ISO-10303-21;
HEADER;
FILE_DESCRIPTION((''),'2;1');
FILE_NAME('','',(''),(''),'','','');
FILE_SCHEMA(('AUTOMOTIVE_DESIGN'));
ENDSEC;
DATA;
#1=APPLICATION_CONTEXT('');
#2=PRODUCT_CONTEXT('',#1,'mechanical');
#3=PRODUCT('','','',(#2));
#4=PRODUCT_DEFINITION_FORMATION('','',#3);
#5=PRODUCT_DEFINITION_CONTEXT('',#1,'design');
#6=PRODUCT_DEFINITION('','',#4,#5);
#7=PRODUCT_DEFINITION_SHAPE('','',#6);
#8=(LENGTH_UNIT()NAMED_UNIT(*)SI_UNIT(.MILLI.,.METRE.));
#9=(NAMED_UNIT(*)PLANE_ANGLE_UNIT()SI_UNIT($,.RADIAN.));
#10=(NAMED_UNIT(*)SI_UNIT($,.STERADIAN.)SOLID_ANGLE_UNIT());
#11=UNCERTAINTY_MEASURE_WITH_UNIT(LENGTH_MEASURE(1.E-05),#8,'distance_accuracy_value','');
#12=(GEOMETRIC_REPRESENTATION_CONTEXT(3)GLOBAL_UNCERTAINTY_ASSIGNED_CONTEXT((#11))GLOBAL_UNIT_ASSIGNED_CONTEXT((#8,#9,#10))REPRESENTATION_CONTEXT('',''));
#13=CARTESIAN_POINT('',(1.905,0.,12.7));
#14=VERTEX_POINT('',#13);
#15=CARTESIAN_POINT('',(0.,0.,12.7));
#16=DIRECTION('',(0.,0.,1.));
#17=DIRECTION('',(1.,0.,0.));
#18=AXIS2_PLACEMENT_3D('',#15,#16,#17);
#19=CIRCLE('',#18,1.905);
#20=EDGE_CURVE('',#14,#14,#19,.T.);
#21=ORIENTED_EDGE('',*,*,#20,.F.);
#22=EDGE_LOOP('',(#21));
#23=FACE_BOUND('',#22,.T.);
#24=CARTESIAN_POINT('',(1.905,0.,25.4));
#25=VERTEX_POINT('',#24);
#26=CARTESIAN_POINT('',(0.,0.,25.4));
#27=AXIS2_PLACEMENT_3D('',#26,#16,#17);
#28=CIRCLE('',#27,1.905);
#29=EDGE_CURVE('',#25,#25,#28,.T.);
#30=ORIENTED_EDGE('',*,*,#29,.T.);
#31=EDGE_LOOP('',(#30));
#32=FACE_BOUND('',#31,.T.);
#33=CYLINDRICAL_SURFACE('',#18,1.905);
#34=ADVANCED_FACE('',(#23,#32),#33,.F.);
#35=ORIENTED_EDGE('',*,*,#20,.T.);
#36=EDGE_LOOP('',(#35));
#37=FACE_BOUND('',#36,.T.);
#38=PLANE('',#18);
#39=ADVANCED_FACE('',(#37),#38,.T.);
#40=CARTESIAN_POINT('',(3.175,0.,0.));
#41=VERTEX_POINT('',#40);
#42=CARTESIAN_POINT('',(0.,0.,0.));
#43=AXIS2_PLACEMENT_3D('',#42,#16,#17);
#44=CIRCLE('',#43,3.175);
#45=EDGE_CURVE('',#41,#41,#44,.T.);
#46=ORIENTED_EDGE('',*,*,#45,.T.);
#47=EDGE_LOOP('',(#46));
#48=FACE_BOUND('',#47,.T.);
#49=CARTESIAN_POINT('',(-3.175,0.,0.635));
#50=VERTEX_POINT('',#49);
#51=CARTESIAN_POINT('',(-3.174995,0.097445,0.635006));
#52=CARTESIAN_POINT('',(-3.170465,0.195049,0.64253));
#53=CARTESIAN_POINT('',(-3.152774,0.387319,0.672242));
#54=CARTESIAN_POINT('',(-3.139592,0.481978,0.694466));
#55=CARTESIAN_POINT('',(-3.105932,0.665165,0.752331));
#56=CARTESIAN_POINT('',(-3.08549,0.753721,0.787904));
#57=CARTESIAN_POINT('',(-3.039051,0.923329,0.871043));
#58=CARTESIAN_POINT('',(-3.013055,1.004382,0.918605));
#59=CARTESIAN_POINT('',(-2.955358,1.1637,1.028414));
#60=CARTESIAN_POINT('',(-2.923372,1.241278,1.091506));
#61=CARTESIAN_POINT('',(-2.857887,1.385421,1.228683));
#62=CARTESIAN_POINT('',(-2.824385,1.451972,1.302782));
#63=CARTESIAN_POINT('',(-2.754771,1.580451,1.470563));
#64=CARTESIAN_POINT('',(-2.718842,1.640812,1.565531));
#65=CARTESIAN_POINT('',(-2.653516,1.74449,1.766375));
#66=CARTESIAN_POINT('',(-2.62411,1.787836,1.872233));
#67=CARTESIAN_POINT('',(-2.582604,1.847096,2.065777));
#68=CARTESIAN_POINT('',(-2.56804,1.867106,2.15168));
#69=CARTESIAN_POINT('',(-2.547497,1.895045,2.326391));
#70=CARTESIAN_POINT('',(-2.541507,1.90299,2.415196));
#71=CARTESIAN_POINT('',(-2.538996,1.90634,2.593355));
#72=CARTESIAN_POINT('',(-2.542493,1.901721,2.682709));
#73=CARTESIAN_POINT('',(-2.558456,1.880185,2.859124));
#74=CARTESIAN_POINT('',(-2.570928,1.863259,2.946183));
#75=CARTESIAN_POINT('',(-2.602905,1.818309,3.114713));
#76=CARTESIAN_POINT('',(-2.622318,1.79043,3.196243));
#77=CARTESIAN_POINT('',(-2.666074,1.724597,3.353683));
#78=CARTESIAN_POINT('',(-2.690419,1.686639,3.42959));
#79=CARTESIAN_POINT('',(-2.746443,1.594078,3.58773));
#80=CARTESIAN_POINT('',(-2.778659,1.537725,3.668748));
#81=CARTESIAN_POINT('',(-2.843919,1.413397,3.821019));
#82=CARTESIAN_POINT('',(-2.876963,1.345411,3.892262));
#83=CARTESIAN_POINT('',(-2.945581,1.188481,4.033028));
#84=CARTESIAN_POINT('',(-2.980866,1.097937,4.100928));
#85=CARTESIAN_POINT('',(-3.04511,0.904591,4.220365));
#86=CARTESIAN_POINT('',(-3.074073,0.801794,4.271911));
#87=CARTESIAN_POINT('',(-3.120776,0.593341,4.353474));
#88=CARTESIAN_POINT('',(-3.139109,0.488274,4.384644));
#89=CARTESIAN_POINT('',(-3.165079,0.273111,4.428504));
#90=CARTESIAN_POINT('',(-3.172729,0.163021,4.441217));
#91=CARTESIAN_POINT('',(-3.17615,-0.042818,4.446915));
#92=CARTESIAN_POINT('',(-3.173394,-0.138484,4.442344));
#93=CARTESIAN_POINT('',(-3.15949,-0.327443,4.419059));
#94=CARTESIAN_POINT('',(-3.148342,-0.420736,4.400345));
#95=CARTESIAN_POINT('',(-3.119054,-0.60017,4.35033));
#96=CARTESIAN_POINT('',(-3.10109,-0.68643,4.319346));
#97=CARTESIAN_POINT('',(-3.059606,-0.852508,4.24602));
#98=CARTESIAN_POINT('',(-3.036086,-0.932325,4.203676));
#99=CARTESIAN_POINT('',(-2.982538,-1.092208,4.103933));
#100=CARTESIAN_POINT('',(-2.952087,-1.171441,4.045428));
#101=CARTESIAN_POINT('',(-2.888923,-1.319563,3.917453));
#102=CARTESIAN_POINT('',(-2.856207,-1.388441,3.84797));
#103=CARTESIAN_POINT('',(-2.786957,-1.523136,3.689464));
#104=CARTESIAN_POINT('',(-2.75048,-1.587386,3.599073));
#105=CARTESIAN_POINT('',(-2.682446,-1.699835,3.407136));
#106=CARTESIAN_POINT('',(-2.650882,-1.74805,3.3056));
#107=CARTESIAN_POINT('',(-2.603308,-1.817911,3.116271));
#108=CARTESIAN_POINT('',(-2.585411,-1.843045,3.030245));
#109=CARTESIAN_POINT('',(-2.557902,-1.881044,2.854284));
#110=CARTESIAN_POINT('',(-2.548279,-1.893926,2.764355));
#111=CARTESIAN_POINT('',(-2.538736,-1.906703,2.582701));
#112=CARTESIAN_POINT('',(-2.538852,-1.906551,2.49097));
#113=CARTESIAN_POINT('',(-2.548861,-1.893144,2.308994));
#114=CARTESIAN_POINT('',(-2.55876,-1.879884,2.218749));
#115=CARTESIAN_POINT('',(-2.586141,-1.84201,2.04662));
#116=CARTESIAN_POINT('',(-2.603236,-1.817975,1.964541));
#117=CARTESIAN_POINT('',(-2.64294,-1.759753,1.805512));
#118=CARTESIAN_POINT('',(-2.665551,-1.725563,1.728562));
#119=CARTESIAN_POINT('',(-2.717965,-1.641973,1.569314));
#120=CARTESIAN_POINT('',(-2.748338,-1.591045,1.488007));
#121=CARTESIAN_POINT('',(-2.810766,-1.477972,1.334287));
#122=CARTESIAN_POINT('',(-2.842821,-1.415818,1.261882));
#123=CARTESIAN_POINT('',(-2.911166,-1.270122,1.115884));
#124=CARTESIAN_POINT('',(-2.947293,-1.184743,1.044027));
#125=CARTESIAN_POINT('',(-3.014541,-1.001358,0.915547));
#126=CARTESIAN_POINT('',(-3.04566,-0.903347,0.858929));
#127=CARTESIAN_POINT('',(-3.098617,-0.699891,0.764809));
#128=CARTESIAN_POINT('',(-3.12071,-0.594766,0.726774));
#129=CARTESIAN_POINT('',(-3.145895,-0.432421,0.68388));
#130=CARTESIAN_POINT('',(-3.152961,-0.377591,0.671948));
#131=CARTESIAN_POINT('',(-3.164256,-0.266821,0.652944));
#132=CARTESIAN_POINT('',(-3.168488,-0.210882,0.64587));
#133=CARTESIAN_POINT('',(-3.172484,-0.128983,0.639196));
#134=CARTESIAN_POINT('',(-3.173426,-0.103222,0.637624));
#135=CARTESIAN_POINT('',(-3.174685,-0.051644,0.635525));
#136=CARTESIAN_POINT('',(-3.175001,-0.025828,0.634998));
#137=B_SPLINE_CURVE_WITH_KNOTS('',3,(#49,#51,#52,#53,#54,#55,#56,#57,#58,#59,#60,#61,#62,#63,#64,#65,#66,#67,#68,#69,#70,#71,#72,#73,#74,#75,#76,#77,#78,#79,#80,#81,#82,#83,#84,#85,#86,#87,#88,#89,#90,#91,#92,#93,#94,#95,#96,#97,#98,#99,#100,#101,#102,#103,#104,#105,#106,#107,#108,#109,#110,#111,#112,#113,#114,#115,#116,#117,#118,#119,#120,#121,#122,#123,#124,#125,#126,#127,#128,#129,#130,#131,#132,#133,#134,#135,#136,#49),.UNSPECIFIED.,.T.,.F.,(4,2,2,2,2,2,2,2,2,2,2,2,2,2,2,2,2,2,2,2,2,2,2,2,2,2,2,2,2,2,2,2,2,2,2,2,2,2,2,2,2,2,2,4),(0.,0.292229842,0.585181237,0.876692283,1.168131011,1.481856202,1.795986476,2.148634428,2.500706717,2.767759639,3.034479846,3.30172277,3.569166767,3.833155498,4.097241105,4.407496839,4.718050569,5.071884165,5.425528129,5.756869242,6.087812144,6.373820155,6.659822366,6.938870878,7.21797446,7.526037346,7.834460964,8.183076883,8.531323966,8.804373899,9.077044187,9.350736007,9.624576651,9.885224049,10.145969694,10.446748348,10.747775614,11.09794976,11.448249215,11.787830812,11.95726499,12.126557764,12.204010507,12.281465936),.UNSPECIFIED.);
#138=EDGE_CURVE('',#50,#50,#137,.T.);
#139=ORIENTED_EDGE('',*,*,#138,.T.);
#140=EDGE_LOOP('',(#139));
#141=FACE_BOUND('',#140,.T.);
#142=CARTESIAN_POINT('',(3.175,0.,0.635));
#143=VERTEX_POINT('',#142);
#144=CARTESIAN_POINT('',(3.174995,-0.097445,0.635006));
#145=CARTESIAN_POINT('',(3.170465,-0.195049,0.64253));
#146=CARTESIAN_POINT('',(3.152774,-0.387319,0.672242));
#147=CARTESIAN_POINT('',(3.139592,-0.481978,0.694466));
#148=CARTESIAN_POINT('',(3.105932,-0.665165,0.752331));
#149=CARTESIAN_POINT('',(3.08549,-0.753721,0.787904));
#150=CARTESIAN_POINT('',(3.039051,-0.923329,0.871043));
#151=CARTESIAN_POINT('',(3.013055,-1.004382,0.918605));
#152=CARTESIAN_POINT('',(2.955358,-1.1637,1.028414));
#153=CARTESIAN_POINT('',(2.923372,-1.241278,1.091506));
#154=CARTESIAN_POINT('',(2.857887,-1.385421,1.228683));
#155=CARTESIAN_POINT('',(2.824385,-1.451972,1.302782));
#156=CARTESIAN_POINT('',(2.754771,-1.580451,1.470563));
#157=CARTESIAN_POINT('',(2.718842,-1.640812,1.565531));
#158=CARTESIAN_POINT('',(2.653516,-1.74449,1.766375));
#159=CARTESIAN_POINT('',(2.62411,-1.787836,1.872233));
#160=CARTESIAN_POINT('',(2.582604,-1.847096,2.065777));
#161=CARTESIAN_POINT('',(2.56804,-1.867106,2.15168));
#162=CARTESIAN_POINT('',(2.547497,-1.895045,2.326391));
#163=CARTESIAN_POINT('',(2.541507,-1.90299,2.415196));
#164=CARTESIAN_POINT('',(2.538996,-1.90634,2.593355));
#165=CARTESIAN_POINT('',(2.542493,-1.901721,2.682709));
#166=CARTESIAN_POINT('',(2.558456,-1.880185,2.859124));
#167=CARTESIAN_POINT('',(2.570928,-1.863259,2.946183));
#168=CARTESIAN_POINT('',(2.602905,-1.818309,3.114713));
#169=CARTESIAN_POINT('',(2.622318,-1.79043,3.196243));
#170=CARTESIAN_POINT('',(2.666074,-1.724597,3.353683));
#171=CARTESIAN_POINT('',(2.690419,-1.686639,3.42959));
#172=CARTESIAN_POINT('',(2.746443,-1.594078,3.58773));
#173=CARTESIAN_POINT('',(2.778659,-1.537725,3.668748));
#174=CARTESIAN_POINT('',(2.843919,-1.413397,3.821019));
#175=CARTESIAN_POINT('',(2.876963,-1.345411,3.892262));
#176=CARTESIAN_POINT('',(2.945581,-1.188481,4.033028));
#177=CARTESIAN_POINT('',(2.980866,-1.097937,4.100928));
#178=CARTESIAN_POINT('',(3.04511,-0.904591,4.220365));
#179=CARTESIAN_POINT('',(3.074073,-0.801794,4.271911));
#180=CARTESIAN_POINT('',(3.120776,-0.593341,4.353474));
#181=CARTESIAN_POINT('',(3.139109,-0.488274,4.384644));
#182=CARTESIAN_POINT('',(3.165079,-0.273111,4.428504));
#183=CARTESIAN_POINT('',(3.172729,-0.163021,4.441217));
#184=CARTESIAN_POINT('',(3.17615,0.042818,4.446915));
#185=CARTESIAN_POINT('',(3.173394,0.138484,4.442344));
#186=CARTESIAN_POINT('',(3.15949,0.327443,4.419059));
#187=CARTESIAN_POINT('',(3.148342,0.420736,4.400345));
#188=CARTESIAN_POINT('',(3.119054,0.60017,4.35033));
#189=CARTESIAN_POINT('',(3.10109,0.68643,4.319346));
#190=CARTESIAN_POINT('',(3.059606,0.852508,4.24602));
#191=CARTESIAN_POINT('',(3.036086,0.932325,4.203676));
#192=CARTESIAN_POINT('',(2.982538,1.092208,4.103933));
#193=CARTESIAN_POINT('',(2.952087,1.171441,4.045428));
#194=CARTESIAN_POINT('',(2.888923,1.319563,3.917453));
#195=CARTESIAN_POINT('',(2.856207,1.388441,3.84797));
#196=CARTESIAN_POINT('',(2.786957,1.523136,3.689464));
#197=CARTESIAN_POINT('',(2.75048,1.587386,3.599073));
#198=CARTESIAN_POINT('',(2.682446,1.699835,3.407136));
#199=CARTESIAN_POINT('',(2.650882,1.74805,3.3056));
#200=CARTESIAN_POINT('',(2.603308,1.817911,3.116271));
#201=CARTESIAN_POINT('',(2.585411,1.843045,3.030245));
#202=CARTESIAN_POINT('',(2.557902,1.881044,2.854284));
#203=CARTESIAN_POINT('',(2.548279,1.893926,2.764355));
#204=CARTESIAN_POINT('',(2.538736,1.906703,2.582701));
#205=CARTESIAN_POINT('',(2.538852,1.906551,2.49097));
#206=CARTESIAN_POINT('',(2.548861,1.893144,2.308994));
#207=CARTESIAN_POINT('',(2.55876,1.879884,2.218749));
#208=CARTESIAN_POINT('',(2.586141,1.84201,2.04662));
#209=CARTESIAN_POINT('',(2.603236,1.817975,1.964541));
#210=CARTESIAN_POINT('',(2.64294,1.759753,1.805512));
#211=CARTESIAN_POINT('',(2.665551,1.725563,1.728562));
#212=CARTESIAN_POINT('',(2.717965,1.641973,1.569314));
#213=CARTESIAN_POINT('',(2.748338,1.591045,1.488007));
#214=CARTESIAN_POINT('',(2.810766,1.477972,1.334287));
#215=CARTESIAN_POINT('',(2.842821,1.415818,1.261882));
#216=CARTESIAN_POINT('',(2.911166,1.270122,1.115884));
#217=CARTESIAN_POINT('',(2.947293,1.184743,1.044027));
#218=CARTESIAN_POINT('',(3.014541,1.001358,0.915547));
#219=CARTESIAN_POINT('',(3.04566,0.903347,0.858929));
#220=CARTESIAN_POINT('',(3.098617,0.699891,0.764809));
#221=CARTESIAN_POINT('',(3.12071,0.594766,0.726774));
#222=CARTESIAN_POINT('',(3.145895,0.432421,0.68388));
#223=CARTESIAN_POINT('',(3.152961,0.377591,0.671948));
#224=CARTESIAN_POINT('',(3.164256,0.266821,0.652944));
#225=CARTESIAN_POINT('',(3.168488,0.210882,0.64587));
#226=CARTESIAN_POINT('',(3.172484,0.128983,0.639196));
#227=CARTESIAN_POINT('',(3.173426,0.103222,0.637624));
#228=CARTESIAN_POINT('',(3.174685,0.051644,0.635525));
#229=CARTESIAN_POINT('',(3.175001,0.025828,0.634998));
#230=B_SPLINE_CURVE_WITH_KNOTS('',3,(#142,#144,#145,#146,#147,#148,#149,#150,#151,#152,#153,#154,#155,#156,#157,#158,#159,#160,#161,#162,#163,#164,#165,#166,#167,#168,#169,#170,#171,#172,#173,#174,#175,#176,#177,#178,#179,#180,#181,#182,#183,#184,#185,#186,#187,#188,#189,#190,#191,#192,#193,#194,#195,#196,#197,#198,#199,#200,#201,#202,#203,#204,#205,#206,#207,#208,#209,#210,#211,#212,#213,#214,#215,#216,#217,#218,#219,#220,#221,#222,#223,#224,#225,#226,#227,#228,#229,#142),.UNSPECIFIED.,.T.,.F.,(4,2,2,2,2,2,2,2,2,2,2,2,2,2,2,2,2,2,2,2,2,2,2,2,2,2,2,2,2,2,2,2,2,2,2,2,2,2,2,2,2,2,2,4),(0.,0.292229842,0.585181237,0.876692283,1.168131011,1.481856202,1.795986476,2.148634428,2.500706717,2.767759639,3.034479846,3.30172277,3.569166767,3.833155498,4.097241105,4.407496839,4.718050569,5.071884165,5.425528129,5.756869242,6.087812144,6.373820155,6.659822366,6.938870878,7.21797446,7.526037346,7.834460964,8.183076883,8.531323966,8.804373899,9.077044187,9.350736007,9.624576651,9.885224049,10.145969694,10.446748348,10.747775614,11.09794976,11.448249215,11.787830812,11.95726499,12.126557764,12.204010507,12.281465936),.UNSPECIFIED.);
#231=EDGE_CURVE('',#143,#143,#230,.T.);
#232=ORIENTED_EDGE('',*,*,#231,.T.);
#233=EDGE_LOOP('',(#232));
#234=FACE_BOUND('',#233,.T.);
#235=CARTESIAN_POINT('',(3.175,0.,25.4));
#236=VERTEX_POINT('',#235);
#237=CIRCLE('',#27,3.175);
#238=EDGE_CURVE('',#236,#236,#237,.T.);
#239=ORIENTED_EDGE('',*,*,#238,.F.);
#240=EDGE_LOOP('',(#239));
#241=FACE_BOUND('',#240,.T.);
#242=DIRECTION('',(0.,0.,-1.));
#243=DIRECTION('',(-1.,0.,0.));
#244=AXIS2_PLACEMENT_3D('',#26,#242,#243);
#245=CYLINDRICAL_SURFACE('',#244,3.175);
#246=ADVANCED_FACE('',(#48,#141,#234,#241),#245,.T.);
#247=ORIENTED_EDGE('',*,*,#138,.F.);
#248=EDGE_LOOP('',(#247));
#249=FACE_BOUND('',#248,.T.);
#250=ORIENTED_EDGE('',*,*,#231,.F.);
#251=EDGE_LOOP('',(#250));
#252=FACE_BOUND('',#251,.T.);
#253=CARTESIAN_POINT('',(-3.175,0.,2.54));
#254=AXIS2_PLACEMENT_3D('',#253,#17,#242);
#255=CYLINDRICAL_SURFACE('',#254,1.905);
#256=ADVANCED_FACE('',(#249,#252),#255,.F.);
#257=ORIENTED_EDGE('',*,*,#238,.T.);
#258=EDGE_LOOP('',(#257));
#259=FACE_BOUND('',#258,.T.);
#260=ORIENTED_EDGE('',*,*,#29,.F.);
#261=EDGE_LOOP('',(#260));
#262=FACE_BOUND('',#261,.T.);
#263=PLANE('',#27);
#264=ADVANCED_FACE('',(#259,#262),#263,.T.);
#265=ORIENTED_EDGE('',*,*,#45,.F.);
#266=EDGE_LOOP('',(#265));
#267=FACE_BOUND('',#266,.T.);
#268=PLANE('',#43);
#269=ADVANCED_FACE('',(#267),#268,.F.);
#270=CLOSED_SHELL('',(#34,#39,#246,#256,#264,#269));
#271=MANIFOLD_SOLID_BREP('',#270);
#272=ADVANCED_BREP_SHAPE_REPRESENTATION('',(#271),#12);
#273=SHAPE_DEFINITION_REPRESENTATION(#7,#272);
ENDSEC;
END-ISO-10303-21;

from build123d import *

# Parameters (mm, degrees)
SKETCH1_R               = 3.175
BOSS_EXTRUDE1_DEPTH     = 25.4
SKETCH2_R               = 1.905
CUT_EXTRUDE1_DEPTH      = 12.7
CUT_EXTRUDE2_DEPTH      = 26.793821935
CUT_EXTRUDE2_DEPTH_BACK = 26.793821935
SKETCH3_R               = 1.905


with BuildPart() as part:
    # Sketch1 → Boss-Extrude1 (new body)
    with BuildSketch(Plane.XY):
        Circle(SKETCH1_R)
    extrude(amount=BOSS_EXTRUDE1_DEPTH)

    # Sketch2 → Cut-Extrude1 (cut)
    with BuildSketch(Plane.XY.offset(25.4)):
        Circle(SKETCH2_R)
    extrude(amount=-CUT_EXTRUDE1_DEPTH, mode=Mode.SUBTRACT)

    # Sketch3 → Cut-Extrude2 (cut, two sides: drawn at the far end of the back side and taken through both)
    with BuildSketch(Plane(origin=(0, 0, 0), x_dir=(0, 0, -1), z_dir=(1, 0, 0)).offset(-CUT_EXTRUDE2_DEPTH_BACK)):
        with Locations((-2.54, 0)):
            Circle(SKETCH3_R)
    extrude(amount=CUT_EXTRUDE2_DEPTH + CUT_EXTRUDE2_DEPTH_BACK, mode=Mode.SUBTRACT)


solid = part.part
